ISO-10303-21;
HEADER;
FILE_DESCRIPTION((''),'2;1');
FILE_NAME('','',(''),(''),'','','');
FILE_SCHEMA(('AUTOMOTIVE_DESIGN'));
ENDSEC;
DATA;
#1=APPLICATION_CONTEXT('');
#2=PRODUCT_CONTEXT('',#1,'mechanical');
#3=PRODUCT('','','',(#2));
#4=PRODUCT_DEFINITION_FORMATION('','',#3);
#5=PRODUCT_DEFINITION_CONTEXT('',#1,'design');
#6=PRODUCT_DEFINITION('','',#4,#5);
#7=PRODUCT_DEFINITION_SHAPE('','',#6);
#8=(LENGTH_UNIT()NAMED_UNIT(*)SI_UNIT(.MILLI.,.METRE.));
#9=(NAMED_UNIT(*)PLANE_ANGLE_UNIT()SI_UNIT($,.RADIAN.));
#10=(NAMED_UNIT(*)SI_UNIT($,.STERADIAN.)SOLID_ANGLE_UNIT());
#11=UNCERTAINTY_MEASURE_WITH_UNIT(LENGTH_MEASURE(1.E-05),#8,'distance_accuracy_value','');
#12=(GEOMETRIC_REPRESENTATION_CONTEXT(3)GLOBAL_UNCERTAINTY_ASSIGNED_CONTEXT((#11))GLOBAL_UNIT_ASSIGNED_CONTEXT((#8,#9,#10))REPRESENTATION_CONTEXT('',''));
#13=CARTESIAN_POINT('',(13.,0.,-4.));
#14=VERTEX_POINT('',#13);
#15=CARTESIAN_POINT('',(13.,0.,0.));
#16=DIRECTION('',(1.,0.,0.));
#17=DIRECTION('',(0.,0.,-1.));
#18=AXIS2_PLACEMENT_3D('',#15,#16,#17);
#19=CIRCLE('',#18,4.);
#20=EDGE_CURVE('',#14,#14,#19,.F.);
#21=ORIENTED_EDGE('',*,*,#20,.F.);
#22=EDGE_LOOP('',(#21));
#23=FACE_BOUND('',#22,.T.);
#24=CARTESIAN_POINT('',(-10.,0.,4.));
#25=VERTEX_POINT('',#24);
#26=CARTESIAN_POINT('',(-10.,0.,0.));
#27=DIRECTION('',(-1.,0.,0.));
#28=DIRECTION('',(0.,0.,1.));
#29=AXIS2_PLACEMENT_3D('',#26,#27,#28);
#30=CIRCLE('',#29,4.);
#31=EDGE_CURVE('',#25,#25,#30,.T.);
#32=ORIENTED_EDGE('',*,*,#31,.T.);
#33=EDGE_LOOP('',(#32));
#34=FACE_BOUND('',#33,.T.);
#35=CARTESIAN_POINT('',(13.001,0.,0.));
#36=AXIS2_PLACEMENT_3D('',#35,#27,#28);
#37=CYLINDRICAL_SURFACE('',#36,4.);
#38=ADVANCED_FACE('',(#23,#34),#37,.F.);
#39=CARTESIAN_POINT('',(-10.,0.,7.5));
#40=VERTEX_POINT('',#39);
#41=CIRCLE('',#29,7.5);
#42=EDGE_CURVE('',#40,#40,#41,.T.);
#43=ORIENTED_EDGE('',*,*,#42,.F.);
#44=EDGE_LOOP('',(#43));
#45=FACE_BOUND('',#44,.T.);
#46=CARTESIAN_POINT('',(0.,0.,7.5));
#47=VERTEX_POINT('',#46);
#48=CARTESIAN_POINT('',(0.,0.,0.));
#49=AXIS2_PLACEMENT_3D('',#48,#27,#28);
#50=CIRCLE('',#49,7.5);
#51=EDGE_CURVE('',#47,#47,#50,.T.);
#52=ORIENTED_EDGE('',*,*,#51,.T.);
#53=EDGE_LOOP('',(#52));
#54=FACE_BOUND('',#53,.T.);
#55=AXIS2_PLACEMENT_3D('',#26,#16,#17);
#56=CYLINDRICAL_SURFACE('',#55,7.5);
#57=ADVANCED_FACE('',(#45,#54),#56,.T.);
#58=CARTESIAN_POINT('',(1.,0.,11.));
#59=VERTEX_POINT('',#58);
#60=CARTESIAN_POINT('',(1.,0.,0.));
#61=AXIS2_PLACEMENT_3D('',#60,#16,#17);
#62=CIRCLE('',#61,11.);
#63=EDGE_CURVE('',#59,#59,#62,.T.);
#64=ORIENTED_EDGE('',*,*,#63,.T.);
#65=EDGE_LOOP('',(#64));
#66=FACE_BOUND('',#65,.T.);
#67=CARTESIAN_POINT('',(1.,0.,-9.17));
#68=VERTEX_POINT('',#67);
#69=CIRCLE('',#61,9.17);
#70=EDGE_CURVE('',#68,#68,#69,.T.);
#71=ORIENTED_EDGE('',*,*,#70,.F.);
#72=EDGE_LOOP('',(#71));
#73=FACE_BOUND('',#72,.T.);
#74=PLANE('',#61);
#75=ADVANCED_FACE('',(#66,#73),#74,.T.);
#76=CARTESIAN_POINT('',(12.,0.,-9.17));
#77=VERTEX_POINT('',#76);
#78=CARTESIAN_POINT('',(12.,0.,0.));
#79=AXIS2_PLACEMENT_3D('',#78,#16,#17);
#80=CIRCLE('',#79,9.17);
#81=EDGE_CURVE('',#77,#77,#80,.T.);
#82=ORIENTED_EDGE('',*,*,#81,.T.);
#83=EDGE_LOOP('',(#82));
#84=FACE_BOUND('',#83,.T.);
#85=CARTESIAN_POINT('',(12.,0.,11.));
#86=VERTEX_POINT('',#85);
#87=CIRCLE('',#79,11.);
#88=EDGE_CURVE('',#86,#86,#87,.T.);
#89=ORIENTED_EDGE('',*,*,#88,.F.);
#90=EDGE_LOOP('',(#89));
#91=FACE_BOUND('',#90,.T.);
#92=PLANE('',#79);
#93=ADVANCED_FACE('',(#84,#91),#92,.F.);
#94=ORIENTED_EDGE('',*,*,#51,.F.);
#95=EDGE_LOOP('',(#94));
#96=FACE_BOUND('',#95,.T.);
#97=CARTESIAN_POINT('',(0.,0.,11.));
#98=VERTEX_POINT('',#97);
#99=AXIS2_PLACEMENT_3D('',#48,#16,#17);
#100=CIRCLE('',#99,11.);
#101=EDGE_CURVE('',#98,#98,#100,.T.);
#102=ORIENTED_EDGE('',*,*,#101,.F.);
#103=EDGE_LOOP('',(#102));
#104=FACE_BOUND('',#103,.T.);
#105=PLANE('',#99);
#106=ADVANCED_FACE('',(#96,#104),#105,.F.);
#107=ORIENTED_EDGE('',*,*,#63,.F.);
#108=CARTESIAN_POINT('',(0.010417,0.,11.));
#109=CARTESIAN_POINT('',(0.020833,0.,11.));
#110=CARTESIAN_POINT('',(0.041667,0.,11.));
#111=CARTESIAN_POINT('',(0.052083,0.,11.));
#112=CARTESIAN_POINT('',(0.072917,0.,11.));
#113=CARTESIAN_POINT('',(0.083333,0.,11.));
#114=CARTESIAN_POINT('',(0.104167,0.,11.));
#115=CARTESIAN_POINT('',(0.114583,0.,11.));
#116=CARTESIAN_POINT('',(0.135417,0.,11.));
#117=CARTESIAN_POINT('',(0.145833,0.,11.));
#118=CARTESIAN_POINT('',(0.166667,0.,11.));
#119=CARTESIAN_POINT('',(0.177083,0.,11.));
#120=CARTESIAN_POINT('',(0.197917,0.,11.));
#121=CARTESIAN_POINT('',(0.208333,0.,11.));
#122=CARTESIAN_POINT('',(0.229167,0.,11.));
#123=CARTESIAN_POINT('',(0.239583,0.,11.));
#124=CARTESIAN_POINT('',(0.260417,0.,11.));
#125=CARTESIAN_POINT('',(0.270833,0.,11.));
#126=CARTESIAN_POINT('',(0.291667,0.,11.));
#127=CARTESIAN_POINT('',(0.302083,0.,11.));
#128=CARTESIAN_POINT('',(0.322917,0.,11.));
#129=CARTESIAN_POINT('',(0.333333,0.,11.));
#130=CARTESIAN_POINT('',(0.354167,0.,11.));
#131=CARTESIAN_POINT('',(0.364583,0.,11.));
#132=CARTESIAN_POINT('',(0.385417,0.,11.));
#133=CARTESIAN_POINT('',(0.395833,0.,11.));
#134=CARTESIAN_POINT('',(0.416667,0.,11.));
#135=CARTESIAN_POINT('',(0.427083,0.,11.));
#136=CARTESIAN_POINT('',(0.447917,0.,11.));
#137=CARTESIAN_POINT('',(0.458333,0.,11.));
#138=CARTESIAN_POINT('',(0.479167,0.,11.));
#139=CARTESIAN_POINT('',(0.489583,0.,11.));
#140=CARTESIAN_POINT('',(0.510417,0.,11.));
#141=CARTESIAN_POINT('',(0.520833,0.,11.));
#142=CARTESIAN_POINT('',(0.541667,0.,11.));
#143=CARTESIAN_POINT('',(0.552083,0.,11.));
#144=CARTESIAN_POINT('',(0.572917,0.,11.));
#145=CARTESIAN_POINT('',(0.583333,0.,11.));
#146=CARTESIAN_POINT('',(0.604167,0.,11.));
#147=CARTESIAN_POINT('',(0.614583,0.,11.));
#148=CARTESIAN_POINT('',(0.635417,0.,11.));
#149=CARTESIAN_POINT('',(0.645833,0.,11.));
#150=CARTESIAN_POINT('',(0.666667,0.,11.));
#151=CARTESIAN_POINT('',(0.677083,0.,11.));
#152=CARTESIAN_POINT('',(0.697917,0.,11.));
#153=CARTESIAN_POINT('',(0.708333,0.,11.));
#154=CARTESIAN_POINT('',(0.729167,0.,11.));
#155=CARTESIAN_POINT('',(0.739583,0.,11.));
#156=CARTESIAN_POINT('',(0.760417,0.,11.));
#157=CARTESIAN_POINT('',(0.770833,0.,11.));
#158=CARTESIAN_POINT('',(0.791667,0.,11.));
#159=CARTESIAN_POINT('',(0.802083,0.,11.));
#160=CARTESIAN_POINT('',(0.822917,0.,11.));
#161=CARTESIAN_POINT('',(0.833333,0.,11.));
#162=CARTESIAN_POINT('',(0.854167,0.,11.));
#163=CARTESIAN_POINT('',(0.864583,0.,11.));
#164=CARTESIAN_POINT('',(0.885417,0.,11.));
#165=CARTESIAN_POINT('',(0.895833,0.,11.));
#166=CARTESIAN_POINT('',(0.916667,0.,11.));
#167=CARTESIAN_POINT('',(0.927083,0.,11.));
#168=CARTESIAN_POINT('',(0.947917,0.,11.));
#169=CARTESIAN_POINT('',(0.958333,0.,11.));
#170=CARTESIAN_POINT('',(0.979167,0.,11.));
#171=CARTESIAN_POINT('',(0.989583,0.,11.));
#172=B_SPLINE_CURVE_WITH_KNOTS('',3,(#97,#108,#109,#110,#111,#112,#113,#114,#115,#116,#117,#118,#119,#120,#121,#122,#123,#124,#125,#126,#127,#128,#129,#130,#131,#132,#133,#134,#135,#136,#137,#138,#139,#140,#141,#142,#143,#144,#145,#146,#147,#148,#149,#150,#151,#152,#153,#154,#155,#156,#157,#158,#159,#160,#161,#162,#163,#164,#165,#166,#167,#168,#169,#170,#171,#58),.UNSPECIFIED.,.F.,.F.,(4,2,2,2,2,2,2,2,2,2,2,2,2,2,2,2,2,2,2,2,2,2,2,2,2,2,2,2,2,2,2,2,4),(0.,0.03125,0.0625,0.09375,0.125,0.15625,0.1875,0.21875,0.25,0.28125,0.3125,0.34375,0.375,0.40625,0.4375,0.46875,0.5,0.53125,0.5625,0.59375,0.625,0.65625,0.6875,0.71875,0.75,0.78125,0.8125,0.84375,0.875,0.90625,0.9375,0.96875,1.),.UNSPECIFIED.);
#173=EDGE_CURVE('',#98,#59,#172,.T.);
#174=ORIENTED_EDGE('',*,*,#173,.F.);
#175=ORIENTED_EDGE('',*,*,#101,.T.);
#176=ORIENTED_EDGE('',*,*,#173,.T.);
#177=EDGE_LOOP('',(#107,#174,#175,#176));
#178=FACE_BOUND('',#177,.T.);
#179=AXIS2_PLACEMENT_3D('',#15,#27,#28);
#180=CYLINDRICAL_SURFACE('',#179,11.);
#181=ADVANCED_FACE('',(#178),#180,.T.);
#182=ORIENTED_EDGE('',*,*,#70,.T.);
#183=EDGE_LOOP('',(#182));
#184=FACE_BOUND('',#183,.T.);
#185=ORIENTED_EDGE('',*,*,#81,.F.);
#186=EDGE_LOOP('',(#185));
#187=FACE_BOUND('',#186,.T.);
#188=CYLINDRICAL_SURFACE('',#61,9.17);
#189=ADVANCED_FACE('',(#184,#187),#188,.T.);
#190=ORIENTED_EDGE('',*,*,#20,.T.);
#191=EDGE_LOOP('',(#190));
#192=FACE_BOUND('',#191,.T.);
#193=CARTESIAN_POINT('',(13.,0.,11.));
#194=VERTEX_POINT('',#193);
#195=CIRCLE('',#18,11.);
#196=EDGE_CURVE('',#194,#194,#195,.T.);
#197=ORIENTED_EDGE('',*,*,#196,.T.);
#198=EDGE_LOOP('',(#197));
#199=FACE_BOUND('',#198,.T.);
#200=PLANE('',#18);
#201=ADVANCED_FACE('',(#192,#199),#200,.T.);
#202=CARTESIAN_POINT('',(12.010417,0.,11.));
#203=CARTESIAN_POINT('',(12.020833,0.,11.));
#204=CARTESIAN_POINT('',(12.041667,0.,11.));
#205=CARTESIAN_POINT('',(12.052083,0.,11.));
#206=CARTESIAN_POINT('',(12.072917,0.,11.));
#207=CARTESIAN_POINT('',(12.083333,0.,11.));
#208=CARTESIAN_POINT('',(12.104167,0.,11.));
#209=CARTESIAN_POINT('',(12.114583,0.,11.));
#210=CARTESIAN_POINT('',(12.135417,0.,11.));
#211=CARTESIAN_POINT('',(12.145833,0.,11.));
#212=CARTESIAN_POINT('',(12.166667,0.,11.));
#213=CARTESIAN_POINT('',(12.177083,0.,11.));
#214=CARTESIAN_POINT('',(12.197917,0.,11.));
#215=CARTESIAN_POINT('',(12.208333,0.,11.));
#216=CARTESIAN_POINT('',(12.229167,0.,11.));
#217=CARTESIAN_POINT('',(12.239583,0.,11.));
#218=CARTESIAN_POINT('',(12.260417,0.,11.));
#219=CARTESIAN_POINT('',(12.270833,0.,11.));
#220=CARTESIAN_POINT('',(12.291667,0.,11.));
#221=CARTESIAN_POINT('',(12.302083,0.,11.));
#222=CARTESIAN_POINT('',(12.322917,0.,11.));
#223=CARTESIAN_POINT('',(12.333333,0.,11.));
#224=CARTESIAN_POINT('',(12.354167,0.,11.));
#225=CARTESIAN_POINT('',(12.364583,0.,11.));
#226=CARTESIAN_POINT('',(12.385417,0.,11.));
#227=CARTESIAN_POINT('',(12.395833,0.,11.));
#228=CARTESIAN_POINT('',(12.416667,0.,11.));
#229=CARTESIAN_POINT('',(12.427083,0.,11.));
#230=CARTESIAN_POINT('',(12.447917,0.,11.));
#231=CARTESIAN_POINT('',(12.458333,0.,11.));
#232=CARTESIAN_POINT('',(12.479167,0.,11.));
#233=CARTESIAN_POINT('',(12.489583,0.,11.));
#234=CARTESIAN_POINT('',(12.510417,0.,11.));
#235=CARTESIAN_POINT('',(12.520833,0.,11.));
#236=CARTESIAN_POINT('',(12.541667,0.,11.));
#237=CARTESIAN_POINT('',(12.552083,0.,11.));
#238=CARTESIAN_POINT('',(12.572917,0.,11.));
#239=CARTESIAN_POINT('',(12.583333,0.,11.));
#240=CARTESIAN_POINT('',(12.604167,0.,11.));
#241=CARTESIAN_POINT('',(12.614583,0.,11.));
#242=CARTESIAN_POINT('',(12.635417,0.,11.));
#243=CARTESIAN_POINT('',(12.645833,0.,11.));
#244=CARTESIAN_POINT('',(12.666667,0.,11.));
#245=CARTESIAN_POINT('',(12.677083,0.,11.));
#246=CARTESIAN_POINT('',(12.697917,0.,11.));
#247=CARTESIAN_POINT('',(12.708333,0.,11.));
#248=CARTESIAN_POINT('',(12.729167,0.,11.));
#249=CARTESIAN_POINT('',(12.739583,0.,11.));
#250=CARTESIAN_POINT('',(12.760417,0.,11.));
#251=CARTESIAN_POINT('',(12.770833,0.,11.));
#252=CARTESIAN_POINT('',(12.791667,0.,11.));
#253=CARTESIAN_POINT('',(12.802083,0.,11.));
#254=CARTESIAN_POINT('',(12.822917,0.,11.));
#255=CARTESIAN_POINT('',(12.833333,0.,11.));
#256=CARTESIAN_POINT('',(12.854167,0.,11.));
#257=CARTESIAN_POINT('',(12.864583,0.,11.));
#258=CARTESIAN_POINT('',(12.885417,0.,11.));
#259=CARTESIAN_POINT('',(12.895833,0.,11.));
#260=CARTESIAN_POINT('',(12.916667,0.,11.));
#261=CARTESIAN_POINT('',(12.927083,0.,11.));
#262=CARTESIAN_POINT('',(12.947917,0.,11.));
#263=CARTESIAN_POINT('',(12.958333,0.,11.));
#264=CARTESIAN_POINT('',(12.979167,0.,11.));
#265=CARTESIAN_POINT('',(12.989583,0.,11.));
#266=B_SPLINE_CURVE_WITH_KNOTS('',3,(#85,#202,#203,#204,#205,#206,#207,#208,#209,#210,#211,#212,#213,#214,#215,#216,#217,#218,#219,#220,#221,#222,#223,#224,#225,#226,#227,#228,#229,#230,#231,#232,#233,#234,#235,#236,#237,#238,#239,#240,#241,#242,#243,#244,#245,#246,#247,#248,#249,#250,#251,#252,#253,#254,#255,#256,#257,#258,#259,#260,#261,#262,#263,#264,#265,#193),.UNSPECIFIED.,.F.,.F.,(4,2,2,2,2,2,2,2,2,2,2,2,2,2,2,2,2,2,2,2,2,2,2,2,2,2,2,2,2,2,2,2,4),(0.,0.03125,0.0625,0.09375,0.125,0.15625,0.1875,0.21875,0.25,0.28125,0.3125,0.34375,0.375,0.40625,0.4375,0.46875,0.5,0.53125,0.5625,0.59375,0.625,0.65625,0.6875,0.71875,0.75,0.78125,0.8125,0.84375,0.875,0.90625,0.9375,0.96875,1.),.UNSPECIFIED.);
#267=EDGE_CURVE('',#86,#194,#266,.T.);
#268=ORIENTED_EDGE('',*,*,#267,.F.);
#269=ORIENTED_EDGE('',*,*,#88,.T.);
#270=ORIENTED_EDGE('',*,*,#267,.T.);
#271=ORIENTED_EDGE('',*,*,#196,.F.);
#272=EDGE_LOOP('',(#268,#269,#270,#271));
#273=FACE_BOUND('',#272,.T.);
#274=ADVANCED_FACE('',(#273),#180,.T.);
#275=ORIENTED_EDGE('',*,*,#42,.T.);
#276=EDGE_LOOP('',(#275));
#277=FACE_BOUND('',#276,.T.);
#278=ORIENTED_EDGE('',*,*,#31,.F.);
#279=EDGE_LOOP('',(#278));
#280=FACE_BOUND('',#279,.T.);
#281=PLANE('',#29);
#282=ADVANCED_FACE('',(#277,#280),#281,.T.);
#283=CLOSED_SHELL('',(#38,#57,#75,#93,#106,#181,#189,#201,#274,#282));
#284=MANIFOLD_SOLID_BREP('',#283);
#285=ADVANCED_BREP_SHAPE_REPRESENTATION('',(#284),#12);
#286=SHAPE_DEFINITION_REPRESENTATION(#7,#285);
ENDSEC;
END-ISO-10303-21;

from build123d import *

# Parameters (mm, degrees)
SKETCH_1_R          = 11
EXTRUDE_1_DEPTH     = 13
SKETCH_2_R          = 11
SKETCH_2_R_2        = 9.17
CUT_EXTRUDE_1_DEPTH = 5.5
SKETCH_3_R          = 7.5
EXTRUDE_2_DEPTH     = 10
CUT_EXTRUDE_2_REACH = 29.767
SKETCH_4_R          = 4


with BuildPart() as part:
    # 草图1 → 凸台-拉伸1 (new body)
    with BuildSketch(Plane(origin=(0, 0, 0), x_dir=(0, 0, -1), z_dir=(1, 0, 0))):
        with Locations(Location((0, 0, 0), (0, 0, 180))):
            Circle(SKETCH_1_R)
    extrude(amount=EXTRUDE_1_DEPTH)

    # 草图2 → 切除-拉伸1 (cut, symmetric)
    with BuildSketch(Plane(origin=(6.5, 0, 0), x_dir=(0, 0, -1), z_dir=(1, 0, 0))):
        with Locations(Location((0, 0, 0), (0, 0, 180))):
            Circle(SKETCH_2_R)
        Circle(SKETCH_2_R_2, mode=Mode.SUBTRACT)
    extrude(amount=CUT_EXTRUDE_1_DEPTH, both=True, mode=Mode.SUBTRACT)

    # 草图3 → 凸台-拉伸2 (add)
    with BuildSketch(Plane.ZY):
        Circle(SKETCH_3_R)
    extrude(amount=EXTRUDE_2_DEPTH)

    # 草图4 → 切除-拉伸2 (cut, up to next)
    with BuildSketch(Plane.ZY.offset(10), mode=Mode.PRIVATE) as cut_extrude_2_sk1:
        Circle(SKETCH_4_R)
    cut_extrude_2_tool1 = extrude(cut_extrude_2_sk1.sketch, amount=-CUT_EXTRUDE_2_REACH, mode=Mode.PRIVATE) & part.part
    add(cut_extrude_2_tool1.solids().sort_by_distance((-10, 0, 0))[0], mode=Mode.SUBTRACT)


solid = part.part
